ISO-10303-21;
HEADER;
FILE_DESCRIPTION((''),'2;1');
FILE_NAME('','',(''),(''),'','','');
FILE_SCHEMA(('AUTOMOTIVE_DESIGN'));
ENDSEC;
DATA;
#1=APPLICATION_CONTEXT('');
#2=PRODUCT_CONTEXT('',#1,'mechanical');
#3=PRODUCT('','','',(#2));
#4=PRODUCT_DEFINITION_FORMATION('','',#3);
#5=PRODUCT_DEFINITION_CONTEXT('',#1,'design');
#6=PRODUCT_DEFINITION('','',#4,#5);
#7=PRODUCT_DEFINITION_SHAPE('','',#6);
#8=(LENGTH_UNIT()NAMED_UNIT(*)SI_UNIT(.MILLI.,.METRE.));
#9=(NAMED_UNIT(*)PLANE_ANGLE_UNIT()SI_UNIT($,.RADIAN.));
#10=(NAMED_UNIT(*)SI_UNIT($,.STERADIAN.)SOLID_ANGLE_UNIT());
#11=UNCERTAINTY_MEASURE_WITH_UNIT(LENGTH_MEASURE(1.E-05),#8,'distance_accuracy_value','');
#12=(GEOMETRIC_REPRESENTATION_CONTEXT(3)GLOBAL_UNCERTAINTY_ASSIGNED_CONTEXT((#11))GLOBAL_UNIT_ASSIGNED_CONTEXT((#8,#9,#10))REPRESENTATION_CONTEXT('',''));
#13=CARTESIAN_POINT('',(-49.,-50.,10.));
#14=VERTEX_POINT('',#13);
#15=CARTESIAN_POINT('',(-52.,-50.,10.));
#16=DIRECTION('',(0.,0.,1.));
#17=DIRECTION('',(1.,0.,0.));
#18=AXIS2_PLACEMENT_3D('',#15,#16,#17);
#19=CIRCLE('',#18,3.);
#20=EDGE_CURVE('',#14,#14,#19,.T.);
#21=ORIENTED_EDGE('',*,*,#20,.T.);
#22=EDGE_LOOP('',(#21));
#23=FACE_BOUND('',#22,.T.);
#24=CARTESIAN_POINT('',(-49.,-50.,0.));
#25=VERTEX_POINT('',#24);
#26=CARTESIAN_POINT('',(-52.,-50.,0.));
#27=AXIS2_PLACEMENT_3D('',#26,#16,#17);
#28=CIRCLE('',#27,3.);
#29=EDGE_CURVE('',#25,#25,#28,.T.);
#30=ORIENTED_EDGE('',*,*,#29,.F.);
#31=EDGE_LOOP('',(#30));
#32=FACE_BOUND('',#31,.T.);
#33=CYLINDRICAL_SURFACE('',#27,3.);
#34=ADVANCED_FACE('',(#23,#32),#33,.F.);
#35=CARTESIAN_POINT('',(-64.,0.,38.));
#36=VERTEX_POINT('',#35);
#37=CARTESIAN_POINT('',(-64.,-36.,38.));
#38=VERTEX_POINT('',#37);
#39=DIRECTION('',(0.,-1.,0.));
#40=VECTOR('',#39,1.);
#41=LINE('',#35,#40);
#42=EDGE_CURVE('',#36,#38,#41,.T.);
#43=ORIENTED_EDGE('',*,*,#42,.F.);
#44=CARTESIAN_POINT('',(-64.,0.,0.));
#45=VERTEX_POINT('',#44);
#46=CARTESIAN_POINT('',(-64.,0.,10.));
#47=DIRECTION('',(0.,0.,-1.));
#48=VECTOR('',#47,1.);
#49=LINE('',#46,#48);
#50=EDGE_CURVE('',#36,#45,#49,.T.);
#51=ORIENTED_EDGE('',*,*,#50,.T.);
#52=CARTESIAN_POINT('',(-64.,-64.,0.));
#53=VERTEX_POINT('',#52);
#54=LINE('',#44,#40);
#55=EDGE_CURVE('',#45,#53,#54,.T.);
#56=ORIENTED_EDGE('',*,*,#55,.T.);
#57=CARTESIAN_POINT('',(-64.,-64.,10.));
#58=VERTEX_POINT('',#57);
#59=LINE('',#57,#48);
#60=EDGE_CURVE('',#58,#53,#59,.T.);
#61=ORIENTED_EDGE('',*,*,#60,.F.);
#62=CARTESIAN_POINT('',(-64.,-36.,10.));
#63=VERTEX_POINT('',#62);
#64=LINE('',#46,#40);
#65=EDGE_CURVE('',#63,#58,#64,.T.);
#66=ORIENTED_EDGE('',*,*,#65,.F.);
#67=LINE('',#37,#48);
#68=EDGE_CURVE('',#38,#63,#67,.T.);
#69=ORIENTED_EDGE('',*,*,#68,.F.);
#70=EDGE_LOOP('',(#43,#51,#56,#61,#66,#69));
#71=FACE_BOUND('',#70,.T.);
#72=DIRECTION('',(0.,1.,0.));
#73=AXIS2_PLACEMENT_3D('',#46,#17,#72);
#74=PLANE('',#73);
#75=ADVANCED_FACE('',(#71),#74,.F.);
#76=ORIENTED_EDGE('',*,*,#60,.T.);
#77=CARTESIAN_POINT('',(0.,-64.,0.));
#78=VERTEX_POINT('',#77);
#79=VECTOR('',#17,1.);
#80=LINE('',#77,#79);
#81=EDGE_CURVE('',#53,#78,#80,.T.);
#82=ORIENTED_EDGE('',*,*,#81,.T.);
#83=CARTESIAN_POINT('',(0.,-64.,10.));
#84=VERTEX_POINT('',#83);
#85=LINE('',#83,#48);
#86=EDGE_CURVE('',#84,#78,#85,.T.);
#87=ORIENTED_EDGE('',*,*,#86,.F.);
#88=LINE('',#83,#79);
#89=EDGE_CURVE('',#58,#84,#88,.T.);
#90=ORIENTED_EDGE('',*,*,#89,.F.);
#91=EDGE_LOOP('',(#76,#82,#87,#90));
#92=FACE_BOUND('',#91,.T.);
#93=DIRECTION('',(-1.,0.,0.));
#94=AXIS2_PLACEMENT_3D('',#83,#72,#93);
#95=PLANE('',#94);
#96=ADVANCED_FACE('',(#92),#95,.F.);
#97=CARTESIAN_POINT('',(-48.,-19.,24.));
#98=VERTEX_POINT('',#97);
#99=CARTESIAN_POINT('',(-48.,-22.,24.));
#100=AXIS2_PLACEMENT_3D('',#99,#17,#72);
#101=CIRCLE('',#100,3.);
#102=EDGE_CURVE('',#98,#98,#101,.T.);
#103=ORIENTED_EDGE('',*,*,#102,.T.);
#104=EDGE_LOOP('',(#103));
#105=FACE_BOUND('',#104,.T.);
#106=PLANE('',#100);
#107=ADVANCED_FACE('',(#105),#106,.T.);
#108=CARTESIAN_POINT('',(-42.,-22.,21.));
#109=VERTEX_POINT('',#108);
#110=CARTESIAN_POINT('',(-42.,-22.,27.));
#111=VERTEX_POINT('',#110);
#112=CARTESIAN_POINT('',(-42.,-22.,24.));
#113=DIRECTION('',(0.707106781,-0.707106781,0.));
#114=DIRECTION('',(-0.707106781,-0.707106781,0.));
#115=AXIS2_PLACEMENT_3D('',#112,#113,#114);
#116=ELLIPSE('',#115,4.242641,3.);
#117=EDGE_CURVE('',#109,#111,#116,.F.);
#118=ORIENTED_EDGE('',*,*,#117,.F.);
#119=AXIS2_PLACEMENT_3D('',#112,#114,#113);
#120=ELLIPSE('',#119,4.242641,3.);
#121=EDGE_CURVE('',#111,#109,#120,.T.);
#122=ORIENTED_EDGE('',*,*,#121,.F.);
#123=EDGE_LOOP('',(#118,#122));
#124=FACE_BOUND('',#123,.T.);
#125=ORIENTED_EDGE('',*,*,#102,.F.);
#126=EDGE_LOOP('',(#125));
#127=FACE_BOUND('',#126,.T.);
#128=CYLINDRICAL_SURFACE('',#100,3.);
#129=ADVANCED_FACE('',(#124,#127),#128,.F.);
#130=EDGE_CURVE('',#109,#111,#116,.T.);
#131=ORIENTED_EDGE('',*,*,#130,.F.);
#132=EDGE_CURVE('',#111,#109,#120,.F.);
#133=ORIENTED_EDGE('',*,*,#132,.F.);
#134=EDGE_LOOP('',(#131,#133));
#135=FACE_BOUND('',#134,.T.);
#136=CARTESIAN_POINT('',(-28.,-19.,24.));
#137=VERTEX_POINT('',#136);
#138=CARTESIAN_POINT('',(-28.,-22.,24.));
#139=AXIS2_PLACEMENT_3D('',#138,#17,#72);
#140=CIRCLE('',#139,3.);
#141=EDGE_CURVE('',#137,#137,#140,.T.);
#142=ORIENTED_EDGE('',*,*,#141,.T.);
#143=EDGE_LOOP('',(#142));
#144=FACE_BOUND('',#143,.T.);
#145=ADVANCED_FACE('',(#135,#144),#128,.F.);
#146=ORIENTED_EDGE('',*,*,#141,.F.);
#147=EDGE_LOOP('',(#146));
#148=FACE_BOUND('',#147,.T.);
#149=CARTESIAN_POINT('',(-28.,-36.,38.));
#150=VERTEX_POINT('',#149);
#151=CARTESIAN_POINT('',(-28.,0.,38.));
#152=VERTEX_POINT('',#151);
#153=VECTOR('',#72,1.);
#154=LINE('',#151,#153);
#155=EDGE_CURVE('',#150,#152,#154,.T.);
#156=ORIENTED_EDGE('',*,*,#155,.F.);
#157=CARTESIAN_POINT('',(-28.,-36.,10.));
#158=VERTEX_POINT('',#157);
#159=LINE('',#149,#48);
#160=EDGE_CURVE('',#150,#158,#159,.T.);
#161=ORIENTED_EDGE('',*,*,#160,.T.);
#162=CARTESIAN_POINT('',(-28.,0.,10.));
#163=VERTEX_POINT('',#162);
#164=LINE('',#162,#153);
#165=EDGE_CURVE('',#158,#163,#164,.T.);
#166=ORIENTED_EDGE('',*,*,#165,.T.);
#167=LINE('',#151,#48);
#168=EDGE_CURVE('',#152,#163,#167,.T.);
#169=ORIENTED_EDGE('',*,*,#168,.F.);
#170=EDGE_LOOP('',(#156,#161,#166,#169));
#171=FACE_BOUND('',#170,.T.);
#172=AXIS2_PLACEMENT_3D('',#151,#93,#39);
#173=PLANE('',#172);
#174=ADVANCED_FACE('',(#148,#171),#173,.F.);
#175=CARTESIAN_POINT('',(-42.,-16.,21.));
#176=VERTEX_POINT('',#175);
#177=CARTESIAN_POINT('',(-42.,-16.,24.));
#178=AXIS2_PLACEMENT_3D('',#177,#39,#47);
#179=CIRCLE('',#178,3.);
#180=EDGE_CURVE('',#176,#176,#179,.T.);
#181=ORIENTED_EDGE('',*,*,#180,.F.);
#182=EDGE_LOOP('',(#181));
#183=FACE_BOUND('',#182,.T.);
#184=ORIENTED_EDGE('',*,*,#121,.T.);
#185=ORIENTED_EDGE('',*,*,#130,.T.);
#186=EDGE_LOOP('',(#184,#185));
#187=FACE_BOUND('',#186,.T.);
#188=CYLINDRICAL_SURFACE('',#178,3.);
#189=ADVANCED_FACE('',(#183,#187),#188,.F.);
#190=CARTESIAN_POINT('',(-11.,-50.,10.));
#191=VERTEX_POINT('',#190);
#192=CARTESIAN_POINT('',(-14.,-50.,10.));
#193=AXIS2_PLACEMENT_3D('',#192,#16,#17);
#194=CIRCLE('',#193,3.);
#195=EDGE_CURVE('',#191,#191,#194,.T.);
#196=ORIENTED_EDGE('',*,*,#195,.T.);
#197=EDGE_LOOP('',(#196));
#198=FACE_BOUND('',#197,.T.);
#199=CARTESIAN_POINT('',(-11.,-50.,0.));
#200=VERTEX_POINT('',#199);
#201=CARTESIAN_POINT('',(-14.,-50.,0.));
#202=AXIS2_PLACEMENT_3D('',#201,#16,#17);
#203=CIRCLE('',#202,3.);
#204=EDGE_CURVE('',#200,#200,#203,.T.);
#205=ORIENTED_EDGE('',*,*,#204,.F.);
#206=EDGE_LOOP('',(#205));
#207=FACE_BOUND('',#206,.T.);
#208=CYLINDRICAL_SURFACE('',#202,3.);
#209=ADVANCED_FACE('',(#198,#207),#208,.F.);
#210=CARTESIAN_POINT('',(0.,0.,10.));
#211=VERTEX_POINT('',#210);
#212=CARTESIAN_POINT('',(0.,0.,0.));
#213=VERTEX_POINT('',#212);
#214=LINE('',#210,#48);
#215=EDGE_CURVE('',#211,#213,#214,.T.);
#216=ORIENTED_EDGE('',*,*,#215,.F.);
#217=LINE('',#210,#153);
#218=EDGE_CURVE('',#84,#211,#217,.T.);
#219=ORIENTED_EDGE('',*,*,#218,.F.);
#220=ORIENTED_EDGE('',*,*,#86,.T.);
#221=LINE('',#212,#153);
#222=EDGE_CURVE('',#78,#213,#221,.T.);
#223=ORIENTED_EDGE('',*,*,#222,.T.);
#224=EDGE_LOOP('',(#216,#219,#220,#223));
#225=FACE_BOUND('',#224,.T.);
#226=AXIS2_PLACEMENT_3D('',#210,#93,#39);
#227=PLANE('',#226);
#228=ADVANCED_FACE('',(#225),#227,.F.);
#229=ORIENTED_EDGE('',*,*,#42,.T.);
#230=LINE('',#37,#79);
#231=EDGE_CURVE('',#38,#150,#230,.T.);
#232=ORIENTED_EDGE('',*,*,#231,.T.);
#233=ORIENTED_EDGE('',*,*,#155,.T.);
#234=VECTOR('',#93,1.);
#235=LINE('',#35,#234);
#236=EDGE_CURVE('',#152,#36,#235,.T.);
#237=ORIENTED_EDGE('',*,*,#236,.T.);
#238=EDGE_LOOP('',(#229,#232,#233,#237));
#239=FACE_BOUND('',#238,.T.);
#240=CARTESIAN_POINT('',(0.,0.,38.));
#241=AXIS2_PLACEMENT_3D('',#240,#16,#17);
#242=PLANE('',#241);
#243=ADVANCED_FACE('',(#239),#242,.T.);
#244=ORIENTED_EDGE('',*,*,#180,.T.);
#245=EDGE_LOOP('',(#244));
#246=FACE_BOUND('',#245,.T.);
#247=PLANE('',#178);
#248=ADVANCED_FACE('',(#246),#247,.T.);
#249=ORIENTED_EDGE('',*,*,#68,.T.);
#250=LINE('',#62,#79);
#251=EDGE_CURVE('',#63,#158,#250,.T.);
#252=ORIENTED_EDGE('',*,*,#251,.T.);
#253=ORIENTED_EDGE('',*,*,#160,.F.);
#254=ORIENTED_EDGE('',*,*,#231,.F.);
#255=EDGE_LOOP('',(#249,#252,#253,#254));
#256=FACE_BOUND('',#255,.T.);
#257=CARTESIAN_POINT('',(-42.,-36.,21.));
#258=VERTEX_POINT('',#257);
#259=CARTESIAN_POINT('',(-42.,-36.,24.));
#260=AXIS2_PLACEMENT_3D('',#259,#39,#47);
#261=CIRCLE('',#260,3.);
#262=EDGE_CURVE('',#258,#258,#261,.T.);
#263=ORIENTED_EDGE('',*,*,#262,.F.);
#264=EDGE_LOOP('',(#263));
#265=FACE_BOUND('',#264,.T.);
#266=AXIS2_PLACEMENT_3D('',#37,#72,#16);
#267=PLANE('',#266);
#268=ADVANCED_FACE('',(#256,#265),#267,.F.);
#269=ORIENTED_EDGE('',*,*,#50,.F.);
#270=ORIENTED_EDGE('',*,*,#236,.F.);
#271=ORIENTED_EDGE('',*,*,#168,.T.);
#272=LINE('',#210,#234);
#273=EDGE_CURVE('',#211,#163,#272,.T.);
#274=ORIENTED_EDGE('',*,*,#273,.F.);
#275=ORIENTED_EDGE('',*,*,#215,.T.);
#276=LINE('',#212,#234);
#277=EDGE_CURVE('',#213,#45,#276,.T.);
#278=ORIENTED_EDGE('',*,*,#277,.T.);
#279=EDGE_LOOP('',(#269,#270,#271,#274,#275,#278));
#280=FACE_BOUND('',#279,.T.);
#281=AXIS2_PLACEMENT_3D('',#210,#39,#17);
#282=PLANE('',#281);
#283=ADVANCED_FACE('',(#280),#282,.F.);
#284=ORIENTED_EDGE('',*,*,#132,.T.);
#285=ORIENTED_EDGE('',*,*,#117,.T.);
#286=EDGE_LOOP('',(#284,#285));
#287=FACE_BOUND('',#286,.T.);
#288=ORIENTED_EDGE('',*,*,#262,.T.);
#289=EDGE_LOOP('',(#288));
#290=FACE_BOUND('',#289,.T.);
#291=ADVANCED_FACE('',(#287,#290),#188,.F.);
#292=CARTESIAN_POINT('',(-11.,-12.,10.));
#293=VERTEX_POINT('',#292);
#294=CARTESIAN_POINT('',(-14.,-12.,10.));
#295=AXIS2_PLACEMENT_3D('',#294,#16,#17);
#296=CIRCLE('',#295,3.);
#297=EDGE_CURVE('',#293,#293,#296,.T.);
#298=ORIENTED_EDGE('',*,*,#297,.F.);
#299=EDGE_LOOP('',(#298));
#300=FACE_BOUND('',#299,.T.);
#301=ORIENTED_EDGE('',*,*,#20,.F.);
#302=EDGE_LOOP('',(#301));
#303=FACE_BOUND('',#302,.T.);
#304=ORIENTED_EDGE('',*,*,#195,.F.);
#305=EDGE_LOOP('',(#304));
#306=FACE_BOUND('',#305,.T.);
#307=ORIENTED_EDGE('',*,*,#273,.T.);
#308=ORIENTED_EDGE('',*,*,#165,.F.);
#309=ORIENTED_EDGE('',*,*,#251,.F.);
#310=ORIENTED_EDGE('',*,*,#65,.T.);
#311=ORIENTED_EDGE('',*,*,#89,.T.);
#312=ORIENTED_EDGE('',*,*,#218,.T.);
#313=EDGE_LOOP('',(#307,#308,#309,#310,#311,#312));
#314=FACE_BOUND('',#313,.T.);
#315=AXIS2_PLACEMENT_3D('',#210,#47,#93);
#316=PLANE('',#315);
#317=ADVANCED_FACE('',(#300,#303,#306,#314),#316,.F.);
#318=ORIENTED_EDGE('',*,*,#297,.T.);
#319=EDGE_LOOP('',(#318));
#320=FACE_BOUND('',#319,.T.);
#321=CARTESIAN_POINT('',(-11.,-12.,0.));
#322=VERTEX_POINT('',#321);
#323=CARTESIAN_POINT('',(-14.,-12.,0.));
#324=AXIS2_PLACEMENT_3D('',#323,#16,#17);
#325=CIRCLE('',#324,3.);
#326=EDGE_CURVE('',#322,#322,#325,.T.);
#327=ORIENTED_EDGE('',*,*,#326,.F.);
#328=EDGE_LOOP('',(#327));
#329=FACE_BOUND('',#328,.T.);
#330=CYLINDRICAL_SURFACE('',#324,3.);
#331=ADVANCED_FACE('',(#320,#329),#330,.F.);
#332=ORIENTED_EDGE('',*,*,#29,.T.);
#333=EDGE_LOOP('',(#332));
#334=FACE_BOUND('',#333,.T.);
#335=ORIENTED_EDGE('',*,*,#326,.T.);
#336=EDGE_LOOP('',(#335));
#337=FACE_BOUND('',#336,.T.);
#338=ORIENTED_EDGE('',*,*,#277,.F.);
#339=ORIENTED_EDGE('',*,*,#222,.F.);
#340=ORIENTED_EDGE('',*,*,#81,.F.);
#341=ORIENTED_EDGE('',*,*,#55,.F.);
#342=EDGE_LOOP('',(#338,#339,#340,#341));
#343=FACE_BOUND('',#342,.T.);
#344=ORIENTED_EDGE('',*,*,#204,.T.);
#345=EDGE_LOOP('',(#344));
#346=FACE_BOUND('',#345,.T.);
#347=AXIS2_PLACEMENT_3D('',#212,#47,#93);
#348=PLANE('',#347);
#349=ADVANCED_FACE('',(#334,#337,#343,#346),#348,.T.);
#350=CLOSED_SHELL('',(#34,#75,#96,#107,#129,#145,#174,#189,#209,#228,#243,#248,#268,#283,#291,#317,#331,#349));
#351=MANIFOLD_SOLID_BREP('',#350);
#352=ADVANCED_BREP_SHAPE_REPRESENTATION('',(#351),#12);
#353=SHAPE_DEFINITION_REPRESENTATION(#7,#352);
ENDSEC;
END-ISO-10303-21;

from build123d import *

# Parameters (mm, degrees)
IZIM1_W                     = 64
IZIM1_H                     = 64
Y_KSEKLIK_EKSTR_ZYON1_DEPTH = 10
IZIM2_W                     = 36
IZIM2_H                     = 36
Y_KSEKLIK_EKSTR_ZYON2_DEPTH = 28
IZIM3_R                     = 3
KES_EKSTR_ZYON1_DEPTH       = 20
IZIM4_R                     = 3
KES_EKSTR_ZYON2_DEPTH       = 20
IZIM5_R                     = 3
KES_EKSTR_ZYON3_DEPTH       = 11


with BuildPart() as part:
    # Çizim1 → Yükseklik-Ekstrüzyon1 (new body)
    with BuildSketch(Plane.XY):
        with Locations((-32, -32)):
            Rectangle(IZIM1_W, IZIM1_H)
    extrude(amount=Y_KSEKLIK_EKSTR_ZYON1_DEPTH)

    # Çizim2 → Yükseklik-Ekstrüzyon2 (add)
    with BuildSketch(Plane.XY.offset(10)):
        with Locations((-46, -18)):
            Rectangle(IZIM2_W, IZIM2_H)
    extrude(amount=Y_KSEKLIK_EKSTR_ZYON2_DEPTH)

    # Çizim3 → Kes-Ekstrüzyon1 (cut)
    with BuildSketch(Plane.XZ.offset(36)):
        with Locations((-42, 24)):
            Circle(IZIM3_R)
    extrude(amount=-KES_EKSTR_ZYON1_DEPTH, mode=Mode.SUBTRACT)

    # Çizim4 → Kes-Ekstrüzyon2 (cut)
    with BuildSketch(Plane(origin=(-28, 0, 0), x_dir=(0, 0, -1), z_dir=(1, 0, 0))):
        with Locations((-24, -22)):
            Circle(IZIM4_R)
    extrude(amount=-KES_EKSTR_ZYON2_DEPTH, mode=Mode.SUBTRACT)

    # Çizim5 → Kes-Ekstrüzyon3 (cut, through all)
    with BuildSketch(Plane.XY.offset(10)):
        with Locations((-14, -50)):
            Circle(IZIM5_R)
        with Locations((-14, -12)):
            Circle(IZIM5_R)
        with Locations((-52, -50)):
            Circle(IZIM5_R)
    extrude(amount=-KES_EKSTR_ZYON3_DEPTH, mode=Mode.SUBTRACT)


solid = part.part
